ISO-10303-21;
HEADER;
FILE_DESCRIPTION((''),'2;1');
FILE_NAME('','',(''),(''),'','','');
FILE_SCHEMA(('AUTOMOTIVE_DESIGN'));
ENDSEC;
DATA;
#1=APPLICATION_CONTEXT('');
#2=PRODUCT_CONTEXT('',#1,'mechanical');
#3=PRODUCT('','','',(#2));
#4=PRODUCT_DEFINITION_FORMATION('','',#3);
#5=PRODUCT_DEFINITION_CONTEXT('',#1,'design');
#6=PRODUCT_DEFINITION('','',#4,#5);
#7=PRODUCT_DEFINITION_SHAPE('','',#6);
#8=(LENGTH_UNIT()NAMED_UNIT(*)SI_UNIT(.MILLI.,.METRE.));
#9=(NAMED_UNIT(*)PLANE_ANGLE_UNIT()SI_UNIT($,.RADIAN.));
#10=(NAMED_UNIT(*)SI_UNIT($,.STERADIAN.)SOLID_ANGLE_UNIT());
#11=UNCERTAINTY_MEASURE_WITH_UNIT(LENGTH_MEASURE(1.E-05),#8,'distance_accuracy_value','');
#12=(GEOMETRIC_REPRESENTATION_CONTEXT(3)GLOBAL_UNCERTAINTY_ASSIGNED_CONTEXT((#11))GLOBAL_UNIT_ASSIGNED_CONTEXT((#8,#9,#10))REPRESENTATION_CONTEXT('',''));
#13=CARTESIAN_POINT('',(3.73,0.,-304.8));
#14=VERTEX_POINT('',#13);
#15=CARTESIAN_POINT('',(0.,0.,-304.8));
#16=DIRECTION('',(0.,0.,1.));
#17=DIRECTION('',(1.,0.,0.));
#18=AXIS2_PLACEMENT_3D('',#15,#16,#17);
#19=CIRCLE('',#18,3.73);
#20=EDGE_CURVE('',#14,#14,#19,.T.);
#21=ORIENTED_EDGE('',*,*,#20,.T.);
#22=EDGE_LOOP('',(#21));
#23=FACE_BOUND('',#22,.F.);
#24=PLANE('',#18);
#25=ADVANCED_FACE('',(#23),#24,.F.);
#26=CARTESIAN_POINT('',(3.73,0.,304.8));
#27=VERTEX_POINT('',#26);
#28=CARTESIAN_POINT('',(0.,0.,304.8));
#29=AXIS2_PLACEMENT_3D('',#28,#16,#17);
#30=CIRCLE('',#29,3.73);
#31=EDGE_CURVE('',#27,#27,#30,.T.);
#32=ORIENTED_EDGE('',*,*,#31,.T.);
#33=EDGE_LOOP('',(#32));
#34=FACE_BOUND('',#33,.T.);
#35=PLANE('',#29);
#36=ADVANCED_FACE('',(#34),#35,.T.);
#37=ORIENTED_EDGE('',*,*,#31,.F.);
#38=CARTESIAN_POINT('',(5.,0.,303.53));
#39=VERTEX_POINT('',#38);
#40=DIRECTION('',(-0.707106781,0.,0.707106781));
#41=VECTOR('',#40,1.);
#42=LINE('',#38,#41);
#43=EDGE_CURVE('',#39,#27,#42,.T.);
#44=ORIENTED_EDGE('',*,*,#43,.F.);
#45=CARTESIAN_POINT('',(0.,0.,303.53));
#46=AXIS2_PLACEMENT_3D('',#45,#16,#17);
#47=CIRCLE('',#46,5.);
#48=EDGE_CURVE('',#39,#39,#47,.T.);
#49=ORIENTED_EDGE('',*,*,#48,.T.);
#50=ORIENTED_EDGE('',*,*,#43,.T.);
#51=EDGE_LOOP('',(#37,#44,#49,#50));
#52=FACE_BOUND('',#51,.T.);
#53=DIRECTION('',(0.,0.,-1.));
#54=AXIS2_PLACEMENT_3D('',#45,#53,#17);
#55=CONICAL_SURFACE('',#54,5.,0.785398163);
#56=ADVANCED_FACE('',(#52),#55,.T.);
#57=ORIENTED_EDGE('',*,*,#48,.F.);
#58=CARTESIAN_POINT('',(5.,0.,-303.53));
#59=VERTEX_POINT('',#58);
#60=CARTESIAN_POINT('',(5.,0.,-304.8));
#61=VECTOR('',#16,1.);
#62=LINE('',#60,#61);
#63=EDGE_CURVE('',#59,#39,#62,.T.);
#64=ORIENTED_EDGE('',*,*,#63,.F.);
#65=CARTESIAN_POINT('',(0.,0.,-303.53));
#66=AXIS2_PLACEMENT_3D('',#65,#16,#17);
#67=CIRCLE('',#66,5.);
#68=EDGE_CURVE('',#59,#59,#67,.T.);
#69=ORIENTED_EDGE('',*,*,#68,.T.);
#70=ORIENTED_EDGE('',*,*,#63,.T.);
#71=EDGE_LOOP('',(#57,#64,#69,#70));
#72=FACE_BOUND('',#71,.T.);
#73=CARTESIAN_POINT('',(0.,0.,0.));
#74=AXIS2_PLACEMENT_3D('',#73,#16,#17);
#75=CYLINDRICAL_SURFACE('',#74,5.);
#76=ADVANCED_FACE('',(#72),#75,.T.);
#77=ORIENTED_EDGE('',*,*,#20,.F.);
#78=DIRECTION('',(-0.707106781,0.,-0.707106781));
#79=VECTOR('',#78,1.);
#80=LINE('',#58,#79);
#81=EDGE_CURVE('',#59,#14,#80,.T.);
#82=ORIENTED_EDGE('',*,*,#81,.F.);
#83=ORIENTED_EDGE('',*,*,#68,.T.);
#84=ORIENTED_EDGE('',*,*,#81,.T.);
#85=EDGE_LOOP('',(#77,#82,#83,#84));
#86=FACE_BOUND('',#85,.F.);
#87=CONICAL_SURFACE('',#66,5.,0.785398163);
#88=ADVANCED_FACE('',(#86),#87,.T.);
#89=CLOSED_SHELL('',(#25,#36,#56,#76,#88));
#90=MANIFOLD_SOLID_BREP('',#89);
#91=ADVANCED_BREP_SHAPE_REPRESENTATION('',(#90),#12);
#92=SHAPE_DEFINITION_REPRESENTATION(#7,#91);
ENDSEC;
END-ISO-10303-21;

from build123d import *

# Parameters (mm, degrees)
F0_R     = 5
F1_DEPTH = 304.8
F2_SIZE  = 1.27


with BuildPart() as f1:
    # F0 (on Top) → F1 (new body, symmetric)
    with BuildSketch(Plane.XY):
        Circle(F0_R)
    extrude(amount=F1_DEPTH, both=True)

    # F2
    f2_edges = [f1.edges().sort_by_distance(p)[0] for p in [
        (-5, 0, -304.8),
        (-5, 0, 304.8),
    ]]
    chamfer(f2_edges, length=F2_SIZE)


solid = f1.part
